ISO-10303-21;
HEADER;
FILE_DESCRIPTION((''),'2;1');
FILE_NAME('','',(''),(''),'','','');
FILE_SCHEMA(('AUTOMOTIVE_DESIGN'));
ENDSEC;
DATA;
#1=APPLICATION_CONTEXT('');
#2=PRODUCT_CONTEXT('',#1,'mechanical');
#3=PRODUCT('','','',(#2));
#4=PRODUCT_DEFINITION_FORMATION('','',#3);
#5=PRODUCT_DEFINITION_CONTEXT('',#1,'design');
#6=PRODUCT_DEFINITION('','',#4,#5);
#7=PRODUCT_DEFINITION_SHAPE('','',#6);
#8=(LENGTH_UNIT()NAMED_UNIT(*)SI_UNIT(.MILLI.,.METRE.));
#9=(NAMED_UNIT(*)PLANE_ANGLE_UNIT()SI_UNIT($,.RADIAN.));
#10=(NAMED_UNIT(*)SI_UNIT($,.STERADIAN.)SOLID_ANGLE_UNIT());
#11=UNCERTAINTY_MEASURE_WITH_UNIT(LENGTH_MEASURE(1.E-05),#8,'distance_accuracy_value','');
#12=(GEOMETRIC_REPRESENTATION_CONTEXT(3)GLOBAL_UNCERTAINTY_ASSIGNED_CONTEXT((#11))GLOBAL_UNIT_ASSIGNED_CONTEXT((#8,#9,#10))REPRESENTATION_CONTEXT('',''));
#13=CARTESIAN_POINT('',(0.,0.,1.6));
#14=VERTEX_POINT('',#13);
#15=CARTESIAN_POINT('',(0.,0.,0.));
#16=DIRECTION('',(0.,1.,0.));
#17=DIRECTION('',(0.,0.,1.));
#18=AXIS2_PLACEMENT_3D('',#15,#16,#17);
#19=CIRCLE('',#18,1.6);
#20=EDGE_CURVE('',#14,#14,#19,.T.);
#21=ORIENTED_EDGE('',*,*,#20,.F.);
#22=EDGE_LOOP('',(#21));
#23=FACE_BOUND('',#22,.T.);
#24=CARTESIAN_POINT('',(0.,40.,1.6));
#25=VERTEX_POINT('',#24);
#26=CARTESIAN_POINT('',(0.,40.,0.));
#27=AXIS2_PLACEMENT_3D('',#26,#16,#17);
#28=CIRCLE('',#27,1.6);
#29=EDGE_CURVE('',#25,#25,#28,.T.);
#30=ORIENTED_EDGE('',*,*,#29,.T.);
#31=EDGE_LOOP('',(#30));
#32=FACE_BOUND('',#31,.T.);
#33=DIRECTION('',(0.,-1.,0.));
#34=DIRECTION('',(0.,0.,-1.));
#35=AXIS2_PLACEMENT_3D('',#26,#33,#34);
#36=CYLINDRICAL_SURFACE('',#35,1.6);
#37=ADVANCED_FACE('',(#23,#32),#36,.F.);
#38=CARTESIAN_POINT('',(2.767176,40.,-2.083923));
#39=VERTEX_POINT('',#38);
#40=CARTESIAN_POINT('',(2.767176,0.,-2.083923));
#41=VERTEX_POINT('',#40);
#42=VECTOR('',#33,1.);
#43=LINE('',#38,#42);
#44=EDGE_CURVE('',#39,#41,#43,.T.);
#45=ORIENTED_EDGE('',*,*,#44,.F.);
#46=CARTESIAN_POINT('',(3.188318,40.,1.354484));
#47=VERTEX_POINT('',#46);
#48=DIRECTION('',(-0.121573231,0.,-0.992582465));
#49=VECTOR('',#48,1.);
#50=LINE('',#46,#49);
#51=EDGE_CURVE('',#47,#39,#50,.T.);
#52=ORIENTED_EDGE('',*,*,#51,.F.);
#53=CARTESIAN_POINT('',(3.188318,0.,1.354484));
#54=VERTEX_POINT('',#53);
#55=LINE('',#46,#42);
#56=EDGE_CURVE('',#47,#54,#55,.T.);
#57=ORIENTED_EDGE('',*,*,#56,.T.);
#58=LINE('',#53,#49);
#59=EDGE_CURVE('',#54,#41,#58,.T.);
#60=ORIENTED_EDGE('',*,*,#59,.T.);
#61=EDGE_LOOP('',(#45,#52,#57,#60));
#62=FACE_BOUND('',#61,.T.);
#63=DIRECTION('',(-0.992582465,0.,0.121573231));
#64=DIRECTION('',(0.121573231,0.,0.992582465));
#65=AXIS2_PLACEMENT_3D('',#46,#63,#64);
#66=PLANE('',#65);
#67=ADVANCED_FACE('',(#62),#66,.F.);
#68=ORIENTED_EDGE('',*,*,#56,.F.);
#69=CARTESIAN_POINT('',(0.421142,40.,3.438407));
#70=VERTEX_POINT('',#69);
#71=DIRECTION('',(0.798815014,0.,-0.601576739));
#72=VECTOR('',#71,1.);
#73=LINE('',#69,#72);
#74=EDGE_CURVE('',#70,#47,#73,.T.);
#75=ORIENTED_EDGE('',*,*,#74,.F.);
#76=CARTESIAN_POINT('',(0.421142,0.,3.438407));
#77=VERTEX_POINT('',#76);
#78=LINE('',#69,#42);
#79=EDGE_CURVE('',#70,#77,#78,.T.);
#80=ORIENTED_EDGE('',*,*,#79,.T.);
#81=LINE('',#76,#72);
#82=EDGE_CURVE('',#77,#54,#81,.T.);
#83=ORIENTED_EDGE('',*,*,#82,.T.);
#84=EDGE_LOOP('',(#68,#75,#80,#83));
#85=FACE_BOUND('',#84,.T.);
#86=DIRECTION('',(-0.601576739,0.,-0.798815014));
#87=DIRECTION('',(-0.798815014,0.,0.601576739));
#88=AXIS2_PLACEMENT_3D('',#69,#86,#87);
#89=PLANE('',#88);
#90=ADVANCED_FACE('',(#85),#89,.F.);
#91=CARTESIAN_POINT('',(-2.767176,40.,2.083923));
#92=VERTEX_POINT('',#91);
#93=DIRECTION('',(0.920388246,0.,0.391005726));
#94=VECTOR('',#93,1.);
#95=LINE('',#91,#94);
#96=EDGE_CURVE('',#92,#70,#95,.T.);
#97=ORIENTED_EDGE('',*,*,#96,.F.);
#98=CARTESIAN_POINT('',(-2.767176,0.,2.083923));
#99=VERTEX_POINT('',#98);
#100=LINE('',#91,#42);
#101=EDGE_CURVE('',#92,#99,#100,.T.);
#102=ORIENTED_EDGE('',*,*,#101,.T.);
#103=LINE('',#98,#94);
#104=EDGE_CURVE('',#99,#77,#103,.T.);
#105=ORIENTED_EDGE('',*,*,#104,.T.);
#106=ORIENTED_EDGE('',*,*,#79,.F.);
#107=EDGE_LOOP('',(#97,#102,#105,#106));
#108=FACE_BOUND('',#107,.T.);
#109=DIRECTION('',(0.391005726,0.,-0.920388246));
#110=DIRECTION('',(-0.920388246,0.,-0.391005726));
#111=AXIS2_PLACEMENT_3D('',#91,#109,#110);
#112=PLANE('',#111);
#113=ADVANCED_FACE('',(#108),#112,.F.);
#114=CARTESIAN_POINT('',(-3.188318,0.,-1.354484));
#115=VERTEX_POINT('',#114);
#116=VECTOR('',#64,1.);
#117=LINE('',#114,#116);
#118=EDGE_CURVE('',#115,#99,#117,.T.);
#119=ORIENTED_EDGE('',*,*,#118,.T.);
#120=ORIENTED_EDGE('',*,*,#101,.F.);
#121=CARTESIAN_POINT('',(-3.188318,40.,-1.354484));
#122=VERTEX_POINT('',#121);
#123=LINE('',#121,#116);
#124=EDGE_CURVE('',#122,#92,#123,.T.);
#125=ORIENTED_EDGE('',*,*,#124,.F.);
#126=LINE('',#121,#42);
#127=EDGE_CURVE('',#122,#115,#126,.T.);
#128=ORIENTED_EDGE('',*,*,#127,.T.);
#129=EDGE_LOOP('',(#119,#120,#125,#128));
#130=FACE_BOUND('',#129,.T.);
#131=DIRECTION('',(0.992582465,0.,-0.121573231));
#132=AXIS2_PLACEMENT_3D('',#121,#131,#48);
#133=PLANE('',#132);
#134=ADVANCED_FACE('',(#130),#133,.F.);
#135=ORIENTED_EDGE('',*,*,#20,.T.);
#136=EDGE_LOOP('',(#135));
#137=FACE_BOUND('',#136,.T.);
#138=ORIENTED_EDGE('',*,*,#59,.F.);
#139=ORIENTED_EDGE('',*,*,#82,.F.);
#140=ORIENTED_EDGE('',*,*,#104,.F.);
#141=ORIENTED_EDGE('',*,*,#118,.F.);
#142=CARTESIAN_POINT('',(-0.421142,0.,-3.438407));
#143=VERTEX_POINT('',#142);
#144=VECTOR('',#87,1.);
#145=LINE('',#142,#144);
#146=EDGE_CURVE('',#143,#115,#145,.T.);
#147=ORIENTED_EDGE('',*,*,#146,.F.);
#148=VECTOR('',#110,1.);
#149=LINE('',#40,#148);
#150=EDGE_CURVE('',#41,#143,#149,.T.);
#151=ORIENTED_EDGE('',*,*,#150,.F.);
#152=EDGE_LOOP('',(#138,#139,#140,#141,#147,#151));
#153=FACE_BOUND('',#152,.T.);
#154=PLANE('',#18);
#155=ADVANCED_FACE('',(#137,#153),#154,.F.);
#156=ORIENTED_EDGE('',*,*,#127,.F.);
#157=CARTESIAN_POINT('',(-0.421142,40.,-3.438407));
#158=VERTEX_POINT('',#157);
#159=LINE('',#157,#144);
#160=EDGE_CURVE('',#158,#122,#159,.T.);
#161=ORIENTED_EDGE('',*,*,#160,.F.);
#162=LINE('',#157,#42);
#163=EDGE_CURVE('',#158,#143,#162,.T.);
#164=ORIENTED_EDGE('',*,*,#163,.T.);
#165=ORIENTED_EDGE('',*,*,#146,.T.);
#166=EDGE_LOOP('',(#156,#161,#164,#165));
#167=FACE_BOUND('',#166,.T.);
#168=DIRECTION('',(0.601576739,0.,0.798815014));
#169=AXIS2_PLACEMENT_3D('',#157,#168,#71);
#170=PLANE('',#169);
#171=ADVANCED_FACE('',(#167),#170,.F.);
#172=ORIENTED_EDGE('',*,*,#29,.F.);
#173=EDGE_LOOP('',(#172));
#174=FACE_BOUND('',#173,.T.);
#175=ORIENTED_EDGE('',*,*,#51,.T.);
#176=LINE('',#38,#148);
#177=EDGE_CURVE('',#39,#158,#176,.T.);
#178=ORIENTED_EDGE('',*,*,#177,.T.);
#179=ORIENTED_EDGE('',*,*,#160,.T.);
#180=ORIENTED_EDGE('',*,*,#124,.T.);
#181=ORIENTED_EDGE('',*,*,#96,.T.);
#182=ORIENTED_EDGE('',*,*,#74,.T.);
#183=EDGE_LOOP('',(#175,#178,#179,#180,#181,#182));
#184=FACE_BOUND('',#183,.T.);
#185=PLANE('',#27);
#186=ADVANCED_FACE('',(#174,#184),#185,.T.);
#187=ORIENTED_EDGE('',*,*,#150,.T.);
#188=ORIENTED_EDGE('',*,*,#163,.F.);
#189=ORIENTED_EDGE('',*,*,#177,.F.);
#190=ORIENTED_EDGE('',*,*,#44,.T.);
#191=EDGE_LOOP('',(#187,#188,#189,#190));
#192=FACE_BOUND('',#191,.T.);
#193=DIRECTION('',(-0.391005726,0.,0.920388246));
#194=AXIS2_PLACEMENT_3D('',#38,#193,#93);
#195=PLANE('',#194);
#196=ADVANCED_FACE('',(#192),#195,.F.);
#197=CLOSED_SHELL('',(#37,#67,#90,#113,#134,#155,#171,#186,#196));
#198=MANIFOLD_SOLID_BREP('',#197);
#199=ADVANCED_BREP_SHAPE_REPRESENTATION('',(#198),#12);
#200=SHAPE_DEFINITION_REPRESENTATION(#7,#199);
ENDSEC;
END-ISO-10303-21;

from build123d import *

# Parameters (mm, degrees)
SKETCH_1_R      = 1.6
EXTRUDE_1_DEPTH = 40


with BuildPart() as part:
    # 草图1 → 凸台-拉伸1 (new body)
    with BuildSketch(Plane(origin=(0, 0, 0), x_dir=(1, 0, 0), z_dir=(0, 1, 0))):
        Polygon((2.767176381, 2.083922954), (-0.421142027, 3.438406519), (-3.188318408, 1.354483566), (-2.767176381, -2.083922954), (0.421142027, -3.438406519), (3.188318408, -1.354483566), align=None)
        with Locations(Location((0, 0, 0), (0, 0, 270))):
            Circle(SKETCH_1_R, mode=Mode.SUBTRACT)
    extrude(amount=EXTRUDE_1_DEPTH)


solid = part.part
